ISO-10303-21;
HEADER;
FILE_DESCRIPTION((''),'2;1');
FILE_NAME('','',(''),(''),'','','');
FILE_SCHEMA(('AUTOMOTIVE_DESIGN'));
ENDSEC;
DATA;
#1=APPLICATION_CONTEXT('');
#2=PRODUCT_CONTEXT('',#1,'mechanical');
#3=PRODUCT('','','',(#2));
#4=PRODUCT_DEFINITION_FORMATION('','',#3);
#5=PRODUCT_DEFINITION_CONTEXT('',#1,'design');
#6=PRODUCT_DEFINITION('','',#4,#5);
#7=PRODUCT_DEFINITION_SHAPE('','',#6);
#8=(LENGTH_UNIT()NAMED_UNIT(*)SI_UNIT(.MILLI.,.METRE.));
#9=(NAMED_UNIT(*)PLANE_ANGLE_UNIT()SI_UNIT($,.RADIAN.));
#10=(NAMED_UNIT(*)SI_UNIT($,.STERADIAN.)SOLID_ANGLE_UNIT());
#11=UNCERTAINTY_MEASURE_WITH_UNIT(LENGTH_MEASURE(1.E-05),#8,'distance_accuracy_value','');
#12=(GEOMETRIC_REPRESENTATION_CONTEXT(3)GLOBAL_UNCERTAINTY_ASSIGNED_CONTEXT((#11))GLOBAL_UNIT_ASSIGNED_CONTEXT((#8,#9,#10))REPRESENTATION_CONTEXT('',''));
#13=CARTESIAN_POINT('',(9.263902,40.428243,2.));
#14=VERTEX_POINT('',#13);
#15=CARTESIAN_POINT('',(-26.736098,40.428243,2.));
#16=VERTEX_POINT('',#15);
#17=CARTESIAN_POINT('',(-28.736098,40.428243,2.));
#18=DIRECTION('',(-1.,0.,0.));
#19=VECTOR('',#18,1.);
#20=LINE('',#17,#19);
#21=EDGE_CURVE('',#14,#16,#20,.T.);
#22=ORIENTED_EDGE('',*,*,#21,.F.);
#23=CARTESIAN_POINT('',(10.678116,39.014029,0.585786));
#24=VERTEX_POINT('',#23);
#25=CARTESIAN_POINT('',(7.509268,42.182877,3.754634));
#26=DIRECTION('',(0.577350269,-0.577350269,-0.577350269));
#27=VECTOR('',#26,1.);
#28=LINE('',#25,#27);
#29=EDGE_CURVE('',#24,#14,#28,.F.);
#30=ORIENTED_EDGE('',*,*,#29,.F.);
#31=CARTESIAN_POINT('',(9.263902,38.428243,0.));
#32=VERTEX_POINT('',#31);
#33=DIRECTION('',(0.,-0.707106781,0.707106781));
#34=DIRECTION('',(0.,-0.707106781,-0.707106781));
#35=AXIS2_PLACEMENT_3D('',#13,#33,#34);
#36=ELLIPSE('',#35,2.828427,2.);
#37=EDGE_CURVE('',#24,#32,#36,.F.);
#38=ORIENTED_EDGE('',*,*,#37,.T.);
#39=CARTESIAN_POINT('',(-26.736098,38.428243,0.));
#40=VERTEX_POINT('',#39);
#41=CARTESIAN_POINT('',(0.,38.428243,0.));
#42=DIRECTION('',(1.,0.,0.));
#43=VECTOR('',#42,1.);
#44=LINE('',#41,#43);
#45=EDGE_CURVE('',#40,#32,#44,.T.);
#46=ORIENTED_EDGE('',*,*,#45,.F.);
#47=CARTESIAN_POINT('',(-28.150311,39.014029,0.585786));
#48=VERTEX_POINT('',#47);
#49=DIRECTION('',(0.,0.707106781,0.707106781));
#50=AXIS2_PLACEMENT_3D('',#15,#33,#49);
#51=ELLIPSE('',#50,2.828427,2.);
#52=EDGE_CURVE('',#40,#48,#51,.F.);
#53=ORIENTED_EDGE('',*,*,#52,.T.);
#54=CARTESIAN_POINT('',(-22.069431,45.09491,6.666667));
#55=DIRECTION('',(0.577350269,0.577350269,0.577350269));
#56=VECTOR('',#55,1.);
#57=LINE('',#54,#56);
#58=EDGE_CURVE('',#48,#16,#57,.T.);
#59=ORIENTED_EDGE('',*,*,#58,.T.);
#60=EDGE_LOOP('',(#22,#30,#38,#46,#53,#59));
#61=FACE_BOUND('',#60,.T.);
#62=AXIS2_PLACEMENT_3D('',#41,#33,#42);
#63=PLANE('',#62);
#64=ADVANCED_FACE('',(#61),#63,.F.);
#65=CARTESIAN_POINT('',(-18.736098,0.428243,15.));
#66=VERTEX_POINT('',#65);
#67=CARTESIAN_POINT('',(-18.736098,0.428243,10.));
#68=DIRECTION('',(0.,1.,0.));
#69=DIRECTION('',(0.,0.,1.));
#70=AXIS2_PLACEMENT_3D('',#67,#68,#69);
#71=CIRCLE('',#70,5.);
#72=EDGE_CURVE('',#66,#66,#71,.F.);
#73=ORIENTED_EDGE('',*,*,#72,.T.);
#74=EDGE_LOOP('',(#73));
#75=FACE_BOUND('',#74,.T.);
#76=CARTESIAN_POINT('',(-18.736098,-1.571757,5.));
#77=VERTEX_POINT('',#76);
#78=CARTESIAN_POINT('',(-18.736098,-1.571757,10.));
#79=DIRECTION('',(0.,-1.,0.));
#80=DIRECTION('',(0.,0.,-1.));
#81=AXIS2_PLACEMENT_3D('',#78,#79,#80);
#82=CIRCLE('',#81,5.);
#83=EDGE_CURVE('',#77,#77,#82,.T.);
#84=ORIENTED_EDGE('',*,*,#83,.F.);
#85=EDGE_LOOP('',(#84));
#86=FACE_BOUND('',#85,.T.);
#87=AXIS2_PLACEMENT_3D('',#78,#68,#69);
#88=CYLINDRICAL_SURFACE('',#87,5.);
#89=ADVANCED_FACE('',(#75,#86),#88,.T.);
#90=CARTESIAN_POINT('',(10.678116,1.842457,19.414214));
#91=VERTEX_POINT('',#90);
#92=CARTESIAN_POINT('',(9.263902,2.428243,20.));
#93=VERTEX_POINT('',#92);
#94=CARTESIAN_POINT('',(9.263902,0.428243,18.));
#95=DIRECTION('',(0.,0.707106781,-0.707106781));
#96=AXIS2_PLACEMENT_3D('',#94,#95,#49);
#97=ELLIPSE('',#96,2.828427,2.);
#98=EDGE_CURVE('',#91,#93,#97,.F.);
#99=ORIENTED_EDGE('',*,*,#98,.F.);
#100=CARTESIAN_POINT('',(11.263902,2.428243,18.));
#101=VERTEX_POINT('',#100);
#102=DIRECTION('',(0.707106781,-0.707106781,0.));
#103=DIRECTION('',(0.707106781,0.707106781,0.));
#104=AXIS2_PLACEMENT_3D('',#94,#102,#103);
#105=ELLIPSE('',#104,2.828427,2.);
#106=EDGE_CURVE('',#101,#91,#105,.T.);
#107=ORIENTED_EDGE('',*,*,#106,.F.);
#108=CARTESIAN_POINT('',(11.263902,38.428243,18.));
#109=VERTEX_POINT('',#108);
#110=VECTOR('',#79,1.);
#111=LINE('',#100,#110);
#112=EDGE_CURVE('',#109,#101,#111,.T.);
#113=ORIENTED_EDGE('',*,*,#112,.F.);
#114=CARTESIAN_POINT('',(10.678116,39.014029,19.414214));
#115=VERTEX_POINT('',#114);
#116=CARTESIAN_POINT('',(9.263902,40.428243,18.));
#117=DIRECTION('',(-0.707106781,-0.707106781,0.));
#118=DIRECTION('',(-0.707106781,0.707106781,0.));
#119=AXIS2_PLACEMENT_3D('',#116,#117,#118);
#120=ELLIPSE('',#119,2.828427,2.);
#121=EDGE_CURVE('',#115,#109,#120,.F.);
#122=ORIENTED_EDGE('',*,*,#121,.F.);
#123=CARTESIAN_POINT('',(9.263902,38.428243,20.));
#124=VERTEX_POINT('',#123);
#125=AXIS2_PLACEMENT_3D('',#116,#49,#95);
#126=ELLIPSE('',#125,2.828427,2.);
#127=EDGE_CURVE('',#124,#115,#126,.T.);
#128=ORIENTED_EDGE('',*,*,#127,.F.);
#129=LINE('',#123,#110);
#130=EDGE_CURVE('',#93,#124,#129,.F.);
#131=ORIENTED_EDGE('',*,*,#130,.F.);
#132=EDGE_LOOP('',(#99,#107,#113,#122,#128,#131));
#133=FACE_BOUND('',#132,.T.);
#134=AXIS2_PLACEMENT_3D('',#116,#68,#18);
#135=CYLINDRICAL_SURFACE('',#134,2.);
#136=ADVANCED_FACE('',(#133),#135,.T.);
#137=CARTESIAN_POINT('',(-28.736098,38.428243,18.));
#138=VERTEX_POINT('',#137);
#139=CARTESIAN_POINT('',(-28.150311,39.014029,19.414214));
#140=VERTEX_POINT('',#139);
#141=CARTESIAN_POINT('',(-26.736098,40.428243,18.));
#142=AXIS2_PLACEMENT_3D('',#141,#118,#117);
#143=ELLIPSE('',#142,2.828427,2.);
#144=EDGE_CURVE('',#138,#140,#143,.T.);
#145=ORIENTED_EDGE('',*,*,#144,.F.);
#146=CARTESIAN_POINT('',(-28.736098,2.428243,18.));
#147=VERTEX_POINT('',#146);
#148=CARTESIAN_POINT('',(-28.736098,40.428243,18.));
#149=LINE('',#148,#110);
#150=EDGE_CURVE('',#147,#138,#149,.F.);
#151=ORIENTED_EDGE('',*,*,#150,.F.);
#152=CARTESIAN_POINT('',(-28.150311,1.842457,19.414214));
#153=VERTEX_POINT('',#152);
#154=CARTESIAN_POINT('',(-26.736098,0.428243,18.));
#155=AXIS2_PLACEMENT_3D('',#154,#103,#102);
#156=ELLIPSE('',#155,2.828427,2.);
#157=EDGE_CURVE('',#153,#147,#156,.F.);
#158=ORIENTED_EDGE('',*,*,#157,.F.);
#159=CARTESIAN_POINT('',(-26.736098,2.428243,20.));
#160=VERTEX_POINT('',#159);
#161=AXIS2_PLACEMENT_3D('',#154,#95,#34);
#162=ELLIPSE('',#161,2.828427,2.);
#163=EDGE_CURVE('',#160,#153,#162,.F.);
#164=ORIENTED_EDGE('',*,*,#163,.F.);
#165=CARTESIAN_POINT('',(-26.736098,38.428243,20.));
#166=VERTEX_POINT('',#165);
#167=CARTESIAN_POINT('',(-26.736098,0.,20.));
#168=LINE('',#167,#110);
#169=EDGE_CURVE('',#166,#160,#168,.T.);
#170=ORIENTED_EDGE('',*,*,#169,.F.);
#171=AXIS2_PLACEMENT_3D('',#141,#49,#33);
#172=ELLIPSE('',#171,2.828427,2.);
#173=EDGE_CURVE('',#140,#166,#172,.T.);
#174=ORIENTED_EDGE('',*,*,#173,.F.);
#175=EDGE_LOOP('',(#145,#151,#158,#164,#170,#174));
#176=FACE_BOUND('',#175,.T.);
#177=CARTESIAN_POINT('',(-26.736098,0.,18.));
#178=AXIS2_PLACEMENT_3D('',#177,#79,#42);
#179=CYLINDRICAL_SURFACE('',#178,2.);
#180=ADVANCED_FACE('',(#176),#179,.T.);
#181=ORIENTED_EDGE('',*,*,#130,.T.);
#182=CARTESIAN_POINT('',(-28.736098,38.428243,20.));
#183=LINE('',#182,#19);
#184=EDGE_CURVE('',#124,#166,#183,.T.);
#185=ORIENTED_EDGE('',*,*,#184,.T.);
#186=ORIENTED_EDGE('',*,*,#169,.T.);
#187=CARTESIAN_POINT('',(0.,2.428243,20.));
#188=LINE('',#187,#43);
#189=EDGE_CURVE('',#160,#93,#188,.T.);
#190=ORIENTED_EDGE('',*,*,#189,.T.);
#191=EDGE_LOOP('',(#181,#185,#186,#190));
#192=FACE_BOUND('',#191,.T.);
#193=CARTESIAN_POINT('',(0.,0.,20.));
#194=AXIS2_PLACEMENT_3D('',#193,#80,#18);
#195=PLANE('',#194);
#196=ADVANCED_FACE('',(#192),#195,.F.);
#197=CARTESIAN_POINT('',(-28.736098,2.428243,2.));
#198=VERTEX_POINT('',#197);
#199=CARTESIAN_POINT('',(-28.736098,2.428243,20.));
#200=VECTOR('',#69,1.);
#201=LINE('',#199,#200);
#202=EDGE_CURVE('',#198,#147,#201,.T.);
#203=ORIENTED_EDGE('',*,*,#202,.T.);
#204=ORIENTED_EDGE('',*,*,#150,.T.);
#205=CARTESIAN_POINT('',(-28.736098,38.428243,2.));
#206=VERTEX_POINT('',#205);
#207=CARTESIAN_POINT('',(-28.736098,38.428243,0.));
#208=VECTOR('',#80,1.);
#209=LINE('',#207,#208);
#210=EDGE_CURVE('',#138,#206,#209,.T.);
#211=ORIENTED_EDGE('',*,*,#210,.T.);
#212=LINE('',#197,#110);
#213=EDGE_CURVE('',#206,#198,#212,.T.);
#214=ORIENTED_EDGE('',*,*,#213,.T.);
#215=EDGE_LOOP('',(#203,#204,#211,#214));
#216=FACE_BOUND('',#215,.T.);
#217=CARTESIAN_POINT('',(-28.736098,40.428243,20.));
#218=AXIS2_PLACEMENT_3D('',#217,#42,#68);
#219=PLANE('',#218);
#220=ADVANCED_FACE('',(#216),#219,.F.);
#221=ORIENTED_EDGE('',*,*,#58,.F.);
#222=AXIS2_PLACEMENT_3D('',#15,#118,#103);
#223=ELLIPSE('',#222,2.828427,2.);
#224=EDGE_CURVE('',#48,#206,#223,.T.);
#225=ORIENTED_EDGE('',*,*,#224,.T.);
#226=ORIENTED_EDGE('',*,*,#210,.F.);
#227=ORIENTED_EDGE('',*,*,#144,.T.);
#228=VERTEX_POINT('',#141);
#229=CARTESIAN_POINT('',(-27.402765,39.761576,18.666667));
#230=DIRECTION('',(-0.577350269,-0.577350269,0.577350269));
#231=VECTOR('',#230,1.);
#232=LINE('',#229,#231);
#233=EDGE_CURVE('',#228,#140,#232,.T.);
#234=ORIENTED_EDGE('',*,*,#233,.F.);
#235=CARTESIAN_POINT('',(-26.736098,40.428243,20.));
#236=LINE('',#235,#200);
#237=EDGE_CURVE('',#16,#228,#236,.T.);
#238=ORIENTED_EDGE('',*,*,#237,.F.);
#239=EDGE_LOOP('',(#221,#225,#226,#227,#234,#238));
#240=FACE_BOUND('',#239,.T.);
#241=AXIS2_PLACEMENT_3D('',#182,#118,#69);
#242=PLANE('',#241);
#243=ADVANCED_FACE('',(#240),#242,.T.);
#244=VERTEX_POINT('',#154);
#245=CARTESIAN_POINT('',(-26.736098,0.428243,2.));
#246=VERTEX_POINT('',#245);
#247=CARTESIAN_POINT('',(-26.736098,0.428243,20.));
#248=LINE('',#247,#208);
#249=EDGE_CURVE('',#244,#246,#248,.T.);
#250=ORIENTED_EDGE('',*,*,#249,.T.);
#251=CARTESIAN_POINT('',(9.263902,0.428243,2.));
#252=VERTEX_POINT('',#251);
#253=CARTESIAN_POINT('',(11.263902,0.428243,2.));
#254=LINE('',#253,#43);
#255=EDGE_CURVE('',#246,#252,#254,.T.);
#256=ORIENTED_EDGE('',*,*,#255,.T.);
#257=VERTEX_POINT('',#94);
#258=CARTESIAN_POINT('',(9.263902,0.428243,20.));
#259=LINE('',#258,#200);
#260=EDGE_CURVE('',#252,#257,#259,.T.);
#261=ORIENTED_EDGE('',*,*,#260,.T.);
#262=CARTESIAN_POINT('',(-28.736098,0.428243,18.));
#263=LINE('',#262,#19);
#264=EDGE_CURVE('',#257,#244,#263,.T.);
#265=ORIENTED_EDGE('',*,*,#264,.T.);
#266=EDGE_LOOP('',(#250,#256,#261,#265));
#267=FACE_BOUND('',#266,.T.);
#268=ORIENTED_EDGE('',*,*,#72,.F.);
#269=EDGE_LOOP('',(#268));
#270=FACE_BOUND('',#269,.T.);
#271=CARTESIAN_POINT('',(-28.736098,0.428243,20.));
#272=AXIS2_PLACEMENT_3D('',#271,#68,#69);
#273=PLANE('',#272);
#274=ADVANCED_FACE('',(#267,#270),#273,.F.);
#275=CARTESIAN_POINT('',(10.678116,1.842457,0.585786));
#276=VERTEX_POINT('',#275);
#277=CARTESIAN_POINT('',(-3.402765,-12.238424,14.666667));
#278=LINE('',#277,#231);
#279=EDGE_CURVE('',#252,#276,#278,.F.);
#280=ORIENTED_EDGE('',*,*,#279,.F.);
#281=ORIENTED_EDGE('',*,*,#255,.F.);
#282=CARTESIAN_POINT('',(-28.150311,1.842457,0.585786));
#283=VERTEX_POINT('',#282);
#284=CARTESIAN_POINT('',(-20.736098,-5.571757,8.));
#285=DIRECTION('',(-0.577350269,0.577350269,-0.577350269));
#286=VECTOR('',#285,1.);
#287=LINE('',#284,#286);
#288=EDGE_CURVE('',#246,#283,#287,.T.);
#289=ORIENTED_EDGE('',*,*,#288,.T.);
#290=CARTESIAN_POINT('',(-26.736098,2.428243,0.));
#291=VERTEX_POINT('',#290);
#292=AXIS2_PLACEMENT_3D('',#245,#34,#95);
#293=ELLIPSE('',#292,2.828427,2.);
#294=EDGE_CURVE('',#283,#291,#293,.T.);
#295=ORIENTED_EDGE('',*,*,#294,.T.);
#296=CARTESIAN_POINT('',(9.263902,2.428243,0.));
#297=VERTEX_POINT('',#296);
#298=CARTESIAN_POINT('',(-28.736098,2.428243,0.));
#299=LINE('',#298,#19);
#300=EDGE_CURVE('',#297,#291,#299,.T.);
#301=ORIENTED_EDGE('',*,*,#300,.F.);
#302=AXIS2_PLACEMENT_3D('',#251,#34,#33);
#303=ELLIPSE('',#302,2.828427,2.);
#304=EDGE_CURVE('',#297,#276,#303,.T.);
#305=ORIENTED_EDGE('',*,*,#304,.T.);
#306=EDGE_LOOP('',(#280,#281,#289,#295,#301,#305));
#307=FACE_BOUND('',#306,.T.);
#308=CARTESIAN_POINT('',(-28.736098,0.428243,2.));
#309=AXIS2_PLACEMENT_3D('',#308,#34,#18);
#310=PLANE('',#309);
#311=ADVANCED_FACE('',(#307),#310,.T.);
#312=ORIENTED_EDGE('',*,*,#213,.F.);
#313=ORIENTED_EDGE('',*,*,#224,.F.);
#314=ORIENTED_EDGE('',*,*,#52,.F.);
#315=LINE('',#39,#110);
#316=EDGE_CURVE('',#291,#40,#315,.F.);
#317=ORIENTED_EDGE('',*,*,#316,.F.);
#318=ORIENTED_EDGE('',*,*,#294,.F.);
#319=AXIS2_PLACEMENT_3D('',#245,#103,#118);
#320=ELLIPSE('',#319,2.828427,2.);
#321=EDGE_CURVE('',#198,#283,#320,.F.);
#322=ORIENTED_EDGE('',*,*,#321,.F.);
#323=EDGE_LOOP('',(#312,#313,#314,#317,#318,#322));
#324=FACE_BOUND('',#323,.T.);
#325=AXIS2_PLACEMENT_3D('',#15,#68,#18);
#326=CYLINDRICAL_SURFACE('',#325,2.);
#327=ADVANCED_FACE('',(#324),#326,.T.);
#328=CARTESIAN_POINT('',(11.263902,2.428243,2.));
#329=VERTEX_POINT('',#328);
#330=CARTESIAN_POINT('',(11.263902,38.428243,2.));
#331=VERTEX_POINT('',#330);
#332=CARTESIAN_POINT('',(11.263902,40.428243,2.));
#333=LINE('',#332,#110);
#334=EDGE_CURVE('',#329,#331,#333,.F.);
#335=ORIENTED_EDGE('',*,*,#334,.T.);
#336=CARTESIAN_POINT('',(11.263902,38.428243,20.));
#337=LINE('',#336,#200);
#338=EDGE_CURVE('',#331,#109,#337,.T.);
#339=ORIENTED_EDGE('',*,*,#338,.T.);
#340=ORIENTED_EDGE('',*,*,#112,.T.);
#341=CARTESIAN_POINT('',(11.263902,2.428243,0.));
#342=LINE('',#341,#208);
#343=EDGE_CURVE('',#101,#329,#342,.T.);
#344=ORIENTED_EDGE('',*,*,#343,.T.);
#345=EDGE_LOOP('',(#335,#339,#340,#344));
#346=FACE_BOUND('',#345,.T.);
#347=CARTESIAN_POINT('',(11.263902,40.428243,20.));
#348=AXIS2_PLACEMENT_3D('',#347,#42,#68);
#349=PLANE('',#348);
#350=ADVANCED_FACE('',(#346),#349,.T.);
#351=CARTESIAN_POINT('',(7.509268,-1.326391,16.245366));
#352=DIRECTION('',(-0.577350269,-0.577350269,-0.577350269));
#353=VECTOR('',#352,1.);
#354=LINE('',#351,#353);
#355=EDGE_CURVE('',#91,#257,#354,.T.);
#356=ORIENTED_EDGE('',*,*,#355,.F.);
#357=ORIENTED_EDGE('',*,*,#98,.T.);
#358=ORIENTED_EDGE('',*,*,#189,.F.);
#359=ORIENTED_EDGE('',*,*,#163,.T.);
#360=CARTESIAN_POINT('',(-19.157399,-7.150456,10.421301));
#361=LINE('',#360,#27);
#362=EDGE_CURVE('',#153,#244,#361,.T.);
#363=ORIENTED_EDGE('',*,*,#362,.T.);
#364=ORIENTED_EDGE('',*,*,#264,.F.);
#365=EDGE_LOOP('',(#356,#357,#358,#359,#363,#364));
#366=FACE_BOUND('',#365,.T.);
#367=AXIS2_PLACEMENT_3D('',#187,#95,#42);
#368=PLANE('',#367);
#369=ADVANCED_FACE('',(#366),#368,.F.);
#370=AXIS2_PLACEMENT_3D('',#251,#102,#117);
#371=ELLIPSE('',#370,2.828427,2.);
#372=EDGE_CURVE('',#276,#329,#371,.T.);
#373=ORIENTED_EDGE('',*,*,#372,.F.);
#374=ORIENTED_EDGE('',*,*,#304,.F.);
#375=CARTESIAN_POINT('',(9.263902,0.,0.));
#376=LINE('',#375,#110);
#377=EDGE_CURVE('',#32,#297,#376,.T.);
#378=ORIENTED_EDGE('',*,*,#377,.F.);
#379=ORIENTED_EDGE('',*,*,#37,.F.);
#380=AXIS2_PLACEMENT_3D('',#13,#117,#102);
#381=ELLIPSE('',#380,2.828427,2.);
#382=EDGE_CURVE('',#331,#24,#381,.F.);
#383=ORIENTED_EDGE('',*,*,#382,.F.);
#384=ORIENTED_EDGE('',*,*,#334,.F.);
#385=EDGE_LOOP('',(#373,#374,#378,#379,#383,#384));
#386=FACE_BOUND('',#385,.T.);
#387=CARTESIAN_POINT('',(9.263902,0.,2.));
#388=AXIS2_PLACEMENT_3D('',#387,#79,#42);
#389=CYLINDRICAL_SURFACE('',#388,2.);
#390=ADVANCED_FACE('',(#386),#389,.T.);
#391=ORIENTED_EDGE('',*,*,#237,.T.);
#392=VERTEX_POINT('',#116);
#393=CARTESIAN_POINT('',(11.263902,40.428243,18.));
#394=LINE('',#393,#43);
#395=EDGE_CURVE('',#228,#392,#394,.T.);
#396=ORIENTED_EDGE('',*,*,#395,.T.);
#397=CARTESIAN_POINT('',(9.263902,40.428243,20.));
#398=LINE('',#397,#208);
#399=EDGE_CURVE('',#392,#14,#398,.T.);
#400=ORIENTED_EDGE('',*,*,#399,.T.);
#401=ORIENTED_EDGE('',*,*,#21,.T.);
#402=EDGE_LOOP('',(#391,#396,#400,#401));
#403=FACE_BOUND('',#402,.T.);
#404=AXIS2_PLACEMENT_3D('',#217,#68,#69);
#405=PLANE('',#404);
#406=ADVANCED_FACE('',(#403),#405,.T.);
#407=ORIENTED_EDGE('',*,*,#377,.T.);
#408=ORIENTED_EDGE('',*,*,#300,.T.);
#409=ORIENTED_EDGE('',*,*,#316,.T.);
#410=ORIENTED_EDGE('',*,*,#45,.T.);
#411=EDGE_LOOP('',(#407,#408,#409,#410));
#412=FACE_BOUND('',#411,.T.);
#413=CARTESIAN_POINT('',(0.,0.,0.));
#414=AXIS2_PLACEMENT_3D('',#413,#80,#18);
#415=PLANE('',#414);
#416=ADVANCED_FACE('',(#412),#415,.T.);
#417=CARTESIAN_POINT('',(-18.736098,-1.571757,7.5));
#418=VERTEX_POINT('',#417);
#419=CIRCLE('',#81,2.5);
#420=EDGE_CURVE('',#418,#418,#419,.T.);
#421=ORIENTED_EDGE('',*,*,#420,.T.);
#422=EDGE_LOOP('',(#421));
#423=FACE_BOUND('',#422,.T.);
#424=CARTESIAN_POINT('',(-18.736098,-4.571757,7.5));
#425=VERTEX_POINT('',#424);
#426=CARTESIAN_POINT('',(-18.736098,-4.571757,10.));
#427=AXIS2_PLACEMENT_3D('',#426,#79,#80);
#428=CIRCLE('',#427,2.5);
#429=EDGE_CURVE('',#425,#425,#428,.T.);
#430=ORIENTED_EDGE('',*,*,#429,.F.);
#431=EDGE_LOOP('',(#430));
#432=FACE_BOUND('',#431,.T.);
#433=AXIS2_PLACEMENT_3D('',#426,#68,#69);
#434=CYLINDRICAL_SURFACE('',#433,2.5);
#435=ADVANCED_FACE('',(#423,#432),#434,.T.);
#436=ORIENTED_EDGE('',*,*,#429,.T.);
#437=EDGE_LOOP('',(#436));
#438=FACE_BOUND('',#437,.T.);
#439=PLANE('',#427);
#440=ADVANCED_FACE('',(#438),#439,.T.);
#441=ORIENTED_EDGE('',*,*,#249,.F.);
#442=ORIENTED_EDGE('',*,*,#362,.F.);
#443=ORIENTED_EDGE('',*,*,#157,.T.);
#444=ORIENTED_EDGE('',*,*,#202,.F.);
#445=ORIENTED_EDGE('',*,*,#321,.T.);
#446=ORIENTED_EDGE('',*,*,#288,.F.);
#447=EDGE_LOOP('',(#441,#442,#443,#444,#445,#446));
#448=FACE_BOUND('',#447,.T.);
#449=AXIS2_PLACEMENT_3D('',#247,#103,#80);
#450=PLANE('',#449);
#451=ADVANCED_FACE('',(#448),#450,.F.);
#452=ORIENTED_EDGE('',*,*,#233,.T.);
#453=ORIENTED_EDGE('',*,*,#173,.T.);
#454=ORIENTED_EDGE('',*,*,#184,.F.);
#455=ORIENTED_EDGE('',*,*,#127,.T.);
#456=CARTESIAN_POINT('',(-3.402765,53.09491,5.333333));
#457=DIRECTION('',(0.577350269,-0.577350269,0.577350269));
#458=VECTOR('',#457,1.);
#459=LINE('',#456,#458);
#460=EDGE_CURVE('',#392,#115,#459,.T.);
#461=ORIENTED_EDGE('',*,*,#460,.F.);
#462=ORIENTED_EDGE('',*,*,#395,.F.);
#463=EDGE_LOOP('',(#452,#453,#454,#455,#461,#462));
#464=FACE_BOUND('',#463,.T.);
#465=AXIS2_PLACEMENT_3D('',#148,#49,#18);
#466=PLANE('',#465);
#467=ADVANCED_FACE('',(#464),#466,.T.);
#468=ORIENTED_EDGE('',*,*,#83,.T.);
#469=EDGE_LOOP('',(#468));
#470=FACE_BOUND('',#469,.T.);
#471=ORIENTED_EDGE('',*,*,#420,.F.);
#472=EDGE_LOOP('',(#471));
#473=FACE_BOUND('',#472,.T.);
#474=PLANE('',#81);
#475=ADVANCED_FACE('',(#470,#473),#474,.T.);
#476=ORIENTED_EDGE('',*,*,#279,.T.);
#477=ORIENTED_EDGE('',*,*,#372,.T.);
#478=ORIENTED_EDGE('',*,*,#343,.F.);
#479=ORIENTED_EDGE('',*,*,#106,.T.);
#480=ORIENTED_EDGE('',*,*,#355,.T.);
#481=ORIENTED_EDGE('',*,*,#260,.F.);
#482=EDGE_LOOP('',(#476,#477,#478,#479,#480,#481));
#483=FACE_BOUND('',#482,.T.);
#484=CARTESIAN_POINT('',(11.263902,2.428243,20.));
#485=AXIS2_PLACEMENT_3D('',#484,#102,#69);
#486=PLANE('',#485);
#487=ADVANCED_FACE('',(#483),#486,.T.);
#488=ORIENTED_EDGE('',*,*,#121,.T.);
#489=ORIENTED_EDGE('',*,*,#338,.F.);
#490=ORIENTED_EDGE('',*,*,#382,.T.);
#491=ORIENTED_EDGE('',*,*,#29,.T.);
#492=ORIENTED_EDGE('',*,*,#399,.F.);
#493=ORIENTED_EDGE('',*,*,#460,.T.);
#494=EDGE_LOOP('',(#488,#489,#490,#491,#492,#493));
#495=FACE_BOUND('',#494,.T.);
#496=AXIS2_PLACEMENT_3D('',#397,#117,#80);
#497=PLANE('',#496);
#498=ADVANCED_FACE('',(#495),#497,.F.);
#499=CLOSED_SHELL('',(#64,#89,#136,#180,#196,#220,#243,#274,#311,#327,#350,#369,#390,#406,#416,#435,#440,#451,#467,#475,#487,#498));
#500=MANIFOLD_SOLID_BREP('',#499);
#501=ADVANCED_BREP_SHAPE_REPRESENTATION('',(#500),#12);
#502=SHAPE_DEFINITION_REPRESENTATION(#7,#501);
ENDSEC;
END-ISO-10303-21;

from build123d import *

# Parameters (mm, degrees)
SKETCH_1_W      = 40
SKETCH_1_H      = 40
EXTRUDE_1_DEPTH = 20
CHAMFER_2_SIZE  = 2
SKETCH_2_R      = 5
EXTRUDE_3_DEPTH = 2
SKETCH_4_R      = 2.5
EXTRUDE_6_DEPTH = 3
CHAMFER_3_SIZE  = 2
FILLET_1_R      = 2


with BuildPart() as part:
    # 草图1 → 凸台-拉伸1 (new body)
    with BuildSketch(Plane.XY):
        with Locations((-8.736097926, 20.42824298)):
            Rectangle(SKETCH_1_W, SKETCH_1_H)
    extrude(amount=EXTRUDE_1_DEPTH)

    # 倒角2
    chamfer_2_edges = [part.edges().sort_by_distance(p)[0] for p in [
        (-8.736097926, 40.42824298, 20),
        (-8.736097926, 40.42824298, 0),
        (-28.736097926, 40.42824298, 10),
        (11.263902074, 40.42824298, 10),
    ]]
    chamfer(chamfer_2_edges, length=CHAMFER_2_SIZE)

    # 草图2 → 凸台-拉伸3 (add)
    with BuildSketch(Plane(origin=(0, 0.42824298, 0), x_dir=(-1, 0, 0), z_dir=(0, -1, 0))):
        with Locations(Location((18.736097926, -10, 0), (0, 0, 270))):
            Circle(SKETCH_2_R)
    extrude(amount=EXTRUDE_3_DEPTH)

    # 草图4 → 凸台-拉伸6 (add)
    with BuildSketch(Plane.XZ.offset(1.57175702)):
        with Locations(Location((-18.736097926, 10, 0), (0, 0, 270))):
            Circle(SKETCH_4_R)
    extrude(amount=EXTRUDE_6_DEPTH)

    # 倒角3
    chamfer_3_edges = [part.edges().sort_by_distance(p)[0] for p in [
        (-8.736097926, 0.42824298, 20),
        (-8.736097926, 0.42824298, 0),
        (-28.736097926, 0.42824298, 10),
        (11.263902074, 0.42824298, 10),
    ]]
    chamfer(chamfer_3_edges, length=CHAMFER_3_SIZE)

    # 圆角1
    fillet_1_edges = [part.edges().sort_by_distance(p)[0] for p in [
        (11.263902074, 20.42824298, 0),
        (11.263902074, 20.42824298, 20),
        (-28.736097926, 20.42824298, 0),
        (-28.736097926, 20.42824298, 20),
    ]]
    fillet(fillet_1_edges, radius=FILLET_1_R)


solid = part.part
